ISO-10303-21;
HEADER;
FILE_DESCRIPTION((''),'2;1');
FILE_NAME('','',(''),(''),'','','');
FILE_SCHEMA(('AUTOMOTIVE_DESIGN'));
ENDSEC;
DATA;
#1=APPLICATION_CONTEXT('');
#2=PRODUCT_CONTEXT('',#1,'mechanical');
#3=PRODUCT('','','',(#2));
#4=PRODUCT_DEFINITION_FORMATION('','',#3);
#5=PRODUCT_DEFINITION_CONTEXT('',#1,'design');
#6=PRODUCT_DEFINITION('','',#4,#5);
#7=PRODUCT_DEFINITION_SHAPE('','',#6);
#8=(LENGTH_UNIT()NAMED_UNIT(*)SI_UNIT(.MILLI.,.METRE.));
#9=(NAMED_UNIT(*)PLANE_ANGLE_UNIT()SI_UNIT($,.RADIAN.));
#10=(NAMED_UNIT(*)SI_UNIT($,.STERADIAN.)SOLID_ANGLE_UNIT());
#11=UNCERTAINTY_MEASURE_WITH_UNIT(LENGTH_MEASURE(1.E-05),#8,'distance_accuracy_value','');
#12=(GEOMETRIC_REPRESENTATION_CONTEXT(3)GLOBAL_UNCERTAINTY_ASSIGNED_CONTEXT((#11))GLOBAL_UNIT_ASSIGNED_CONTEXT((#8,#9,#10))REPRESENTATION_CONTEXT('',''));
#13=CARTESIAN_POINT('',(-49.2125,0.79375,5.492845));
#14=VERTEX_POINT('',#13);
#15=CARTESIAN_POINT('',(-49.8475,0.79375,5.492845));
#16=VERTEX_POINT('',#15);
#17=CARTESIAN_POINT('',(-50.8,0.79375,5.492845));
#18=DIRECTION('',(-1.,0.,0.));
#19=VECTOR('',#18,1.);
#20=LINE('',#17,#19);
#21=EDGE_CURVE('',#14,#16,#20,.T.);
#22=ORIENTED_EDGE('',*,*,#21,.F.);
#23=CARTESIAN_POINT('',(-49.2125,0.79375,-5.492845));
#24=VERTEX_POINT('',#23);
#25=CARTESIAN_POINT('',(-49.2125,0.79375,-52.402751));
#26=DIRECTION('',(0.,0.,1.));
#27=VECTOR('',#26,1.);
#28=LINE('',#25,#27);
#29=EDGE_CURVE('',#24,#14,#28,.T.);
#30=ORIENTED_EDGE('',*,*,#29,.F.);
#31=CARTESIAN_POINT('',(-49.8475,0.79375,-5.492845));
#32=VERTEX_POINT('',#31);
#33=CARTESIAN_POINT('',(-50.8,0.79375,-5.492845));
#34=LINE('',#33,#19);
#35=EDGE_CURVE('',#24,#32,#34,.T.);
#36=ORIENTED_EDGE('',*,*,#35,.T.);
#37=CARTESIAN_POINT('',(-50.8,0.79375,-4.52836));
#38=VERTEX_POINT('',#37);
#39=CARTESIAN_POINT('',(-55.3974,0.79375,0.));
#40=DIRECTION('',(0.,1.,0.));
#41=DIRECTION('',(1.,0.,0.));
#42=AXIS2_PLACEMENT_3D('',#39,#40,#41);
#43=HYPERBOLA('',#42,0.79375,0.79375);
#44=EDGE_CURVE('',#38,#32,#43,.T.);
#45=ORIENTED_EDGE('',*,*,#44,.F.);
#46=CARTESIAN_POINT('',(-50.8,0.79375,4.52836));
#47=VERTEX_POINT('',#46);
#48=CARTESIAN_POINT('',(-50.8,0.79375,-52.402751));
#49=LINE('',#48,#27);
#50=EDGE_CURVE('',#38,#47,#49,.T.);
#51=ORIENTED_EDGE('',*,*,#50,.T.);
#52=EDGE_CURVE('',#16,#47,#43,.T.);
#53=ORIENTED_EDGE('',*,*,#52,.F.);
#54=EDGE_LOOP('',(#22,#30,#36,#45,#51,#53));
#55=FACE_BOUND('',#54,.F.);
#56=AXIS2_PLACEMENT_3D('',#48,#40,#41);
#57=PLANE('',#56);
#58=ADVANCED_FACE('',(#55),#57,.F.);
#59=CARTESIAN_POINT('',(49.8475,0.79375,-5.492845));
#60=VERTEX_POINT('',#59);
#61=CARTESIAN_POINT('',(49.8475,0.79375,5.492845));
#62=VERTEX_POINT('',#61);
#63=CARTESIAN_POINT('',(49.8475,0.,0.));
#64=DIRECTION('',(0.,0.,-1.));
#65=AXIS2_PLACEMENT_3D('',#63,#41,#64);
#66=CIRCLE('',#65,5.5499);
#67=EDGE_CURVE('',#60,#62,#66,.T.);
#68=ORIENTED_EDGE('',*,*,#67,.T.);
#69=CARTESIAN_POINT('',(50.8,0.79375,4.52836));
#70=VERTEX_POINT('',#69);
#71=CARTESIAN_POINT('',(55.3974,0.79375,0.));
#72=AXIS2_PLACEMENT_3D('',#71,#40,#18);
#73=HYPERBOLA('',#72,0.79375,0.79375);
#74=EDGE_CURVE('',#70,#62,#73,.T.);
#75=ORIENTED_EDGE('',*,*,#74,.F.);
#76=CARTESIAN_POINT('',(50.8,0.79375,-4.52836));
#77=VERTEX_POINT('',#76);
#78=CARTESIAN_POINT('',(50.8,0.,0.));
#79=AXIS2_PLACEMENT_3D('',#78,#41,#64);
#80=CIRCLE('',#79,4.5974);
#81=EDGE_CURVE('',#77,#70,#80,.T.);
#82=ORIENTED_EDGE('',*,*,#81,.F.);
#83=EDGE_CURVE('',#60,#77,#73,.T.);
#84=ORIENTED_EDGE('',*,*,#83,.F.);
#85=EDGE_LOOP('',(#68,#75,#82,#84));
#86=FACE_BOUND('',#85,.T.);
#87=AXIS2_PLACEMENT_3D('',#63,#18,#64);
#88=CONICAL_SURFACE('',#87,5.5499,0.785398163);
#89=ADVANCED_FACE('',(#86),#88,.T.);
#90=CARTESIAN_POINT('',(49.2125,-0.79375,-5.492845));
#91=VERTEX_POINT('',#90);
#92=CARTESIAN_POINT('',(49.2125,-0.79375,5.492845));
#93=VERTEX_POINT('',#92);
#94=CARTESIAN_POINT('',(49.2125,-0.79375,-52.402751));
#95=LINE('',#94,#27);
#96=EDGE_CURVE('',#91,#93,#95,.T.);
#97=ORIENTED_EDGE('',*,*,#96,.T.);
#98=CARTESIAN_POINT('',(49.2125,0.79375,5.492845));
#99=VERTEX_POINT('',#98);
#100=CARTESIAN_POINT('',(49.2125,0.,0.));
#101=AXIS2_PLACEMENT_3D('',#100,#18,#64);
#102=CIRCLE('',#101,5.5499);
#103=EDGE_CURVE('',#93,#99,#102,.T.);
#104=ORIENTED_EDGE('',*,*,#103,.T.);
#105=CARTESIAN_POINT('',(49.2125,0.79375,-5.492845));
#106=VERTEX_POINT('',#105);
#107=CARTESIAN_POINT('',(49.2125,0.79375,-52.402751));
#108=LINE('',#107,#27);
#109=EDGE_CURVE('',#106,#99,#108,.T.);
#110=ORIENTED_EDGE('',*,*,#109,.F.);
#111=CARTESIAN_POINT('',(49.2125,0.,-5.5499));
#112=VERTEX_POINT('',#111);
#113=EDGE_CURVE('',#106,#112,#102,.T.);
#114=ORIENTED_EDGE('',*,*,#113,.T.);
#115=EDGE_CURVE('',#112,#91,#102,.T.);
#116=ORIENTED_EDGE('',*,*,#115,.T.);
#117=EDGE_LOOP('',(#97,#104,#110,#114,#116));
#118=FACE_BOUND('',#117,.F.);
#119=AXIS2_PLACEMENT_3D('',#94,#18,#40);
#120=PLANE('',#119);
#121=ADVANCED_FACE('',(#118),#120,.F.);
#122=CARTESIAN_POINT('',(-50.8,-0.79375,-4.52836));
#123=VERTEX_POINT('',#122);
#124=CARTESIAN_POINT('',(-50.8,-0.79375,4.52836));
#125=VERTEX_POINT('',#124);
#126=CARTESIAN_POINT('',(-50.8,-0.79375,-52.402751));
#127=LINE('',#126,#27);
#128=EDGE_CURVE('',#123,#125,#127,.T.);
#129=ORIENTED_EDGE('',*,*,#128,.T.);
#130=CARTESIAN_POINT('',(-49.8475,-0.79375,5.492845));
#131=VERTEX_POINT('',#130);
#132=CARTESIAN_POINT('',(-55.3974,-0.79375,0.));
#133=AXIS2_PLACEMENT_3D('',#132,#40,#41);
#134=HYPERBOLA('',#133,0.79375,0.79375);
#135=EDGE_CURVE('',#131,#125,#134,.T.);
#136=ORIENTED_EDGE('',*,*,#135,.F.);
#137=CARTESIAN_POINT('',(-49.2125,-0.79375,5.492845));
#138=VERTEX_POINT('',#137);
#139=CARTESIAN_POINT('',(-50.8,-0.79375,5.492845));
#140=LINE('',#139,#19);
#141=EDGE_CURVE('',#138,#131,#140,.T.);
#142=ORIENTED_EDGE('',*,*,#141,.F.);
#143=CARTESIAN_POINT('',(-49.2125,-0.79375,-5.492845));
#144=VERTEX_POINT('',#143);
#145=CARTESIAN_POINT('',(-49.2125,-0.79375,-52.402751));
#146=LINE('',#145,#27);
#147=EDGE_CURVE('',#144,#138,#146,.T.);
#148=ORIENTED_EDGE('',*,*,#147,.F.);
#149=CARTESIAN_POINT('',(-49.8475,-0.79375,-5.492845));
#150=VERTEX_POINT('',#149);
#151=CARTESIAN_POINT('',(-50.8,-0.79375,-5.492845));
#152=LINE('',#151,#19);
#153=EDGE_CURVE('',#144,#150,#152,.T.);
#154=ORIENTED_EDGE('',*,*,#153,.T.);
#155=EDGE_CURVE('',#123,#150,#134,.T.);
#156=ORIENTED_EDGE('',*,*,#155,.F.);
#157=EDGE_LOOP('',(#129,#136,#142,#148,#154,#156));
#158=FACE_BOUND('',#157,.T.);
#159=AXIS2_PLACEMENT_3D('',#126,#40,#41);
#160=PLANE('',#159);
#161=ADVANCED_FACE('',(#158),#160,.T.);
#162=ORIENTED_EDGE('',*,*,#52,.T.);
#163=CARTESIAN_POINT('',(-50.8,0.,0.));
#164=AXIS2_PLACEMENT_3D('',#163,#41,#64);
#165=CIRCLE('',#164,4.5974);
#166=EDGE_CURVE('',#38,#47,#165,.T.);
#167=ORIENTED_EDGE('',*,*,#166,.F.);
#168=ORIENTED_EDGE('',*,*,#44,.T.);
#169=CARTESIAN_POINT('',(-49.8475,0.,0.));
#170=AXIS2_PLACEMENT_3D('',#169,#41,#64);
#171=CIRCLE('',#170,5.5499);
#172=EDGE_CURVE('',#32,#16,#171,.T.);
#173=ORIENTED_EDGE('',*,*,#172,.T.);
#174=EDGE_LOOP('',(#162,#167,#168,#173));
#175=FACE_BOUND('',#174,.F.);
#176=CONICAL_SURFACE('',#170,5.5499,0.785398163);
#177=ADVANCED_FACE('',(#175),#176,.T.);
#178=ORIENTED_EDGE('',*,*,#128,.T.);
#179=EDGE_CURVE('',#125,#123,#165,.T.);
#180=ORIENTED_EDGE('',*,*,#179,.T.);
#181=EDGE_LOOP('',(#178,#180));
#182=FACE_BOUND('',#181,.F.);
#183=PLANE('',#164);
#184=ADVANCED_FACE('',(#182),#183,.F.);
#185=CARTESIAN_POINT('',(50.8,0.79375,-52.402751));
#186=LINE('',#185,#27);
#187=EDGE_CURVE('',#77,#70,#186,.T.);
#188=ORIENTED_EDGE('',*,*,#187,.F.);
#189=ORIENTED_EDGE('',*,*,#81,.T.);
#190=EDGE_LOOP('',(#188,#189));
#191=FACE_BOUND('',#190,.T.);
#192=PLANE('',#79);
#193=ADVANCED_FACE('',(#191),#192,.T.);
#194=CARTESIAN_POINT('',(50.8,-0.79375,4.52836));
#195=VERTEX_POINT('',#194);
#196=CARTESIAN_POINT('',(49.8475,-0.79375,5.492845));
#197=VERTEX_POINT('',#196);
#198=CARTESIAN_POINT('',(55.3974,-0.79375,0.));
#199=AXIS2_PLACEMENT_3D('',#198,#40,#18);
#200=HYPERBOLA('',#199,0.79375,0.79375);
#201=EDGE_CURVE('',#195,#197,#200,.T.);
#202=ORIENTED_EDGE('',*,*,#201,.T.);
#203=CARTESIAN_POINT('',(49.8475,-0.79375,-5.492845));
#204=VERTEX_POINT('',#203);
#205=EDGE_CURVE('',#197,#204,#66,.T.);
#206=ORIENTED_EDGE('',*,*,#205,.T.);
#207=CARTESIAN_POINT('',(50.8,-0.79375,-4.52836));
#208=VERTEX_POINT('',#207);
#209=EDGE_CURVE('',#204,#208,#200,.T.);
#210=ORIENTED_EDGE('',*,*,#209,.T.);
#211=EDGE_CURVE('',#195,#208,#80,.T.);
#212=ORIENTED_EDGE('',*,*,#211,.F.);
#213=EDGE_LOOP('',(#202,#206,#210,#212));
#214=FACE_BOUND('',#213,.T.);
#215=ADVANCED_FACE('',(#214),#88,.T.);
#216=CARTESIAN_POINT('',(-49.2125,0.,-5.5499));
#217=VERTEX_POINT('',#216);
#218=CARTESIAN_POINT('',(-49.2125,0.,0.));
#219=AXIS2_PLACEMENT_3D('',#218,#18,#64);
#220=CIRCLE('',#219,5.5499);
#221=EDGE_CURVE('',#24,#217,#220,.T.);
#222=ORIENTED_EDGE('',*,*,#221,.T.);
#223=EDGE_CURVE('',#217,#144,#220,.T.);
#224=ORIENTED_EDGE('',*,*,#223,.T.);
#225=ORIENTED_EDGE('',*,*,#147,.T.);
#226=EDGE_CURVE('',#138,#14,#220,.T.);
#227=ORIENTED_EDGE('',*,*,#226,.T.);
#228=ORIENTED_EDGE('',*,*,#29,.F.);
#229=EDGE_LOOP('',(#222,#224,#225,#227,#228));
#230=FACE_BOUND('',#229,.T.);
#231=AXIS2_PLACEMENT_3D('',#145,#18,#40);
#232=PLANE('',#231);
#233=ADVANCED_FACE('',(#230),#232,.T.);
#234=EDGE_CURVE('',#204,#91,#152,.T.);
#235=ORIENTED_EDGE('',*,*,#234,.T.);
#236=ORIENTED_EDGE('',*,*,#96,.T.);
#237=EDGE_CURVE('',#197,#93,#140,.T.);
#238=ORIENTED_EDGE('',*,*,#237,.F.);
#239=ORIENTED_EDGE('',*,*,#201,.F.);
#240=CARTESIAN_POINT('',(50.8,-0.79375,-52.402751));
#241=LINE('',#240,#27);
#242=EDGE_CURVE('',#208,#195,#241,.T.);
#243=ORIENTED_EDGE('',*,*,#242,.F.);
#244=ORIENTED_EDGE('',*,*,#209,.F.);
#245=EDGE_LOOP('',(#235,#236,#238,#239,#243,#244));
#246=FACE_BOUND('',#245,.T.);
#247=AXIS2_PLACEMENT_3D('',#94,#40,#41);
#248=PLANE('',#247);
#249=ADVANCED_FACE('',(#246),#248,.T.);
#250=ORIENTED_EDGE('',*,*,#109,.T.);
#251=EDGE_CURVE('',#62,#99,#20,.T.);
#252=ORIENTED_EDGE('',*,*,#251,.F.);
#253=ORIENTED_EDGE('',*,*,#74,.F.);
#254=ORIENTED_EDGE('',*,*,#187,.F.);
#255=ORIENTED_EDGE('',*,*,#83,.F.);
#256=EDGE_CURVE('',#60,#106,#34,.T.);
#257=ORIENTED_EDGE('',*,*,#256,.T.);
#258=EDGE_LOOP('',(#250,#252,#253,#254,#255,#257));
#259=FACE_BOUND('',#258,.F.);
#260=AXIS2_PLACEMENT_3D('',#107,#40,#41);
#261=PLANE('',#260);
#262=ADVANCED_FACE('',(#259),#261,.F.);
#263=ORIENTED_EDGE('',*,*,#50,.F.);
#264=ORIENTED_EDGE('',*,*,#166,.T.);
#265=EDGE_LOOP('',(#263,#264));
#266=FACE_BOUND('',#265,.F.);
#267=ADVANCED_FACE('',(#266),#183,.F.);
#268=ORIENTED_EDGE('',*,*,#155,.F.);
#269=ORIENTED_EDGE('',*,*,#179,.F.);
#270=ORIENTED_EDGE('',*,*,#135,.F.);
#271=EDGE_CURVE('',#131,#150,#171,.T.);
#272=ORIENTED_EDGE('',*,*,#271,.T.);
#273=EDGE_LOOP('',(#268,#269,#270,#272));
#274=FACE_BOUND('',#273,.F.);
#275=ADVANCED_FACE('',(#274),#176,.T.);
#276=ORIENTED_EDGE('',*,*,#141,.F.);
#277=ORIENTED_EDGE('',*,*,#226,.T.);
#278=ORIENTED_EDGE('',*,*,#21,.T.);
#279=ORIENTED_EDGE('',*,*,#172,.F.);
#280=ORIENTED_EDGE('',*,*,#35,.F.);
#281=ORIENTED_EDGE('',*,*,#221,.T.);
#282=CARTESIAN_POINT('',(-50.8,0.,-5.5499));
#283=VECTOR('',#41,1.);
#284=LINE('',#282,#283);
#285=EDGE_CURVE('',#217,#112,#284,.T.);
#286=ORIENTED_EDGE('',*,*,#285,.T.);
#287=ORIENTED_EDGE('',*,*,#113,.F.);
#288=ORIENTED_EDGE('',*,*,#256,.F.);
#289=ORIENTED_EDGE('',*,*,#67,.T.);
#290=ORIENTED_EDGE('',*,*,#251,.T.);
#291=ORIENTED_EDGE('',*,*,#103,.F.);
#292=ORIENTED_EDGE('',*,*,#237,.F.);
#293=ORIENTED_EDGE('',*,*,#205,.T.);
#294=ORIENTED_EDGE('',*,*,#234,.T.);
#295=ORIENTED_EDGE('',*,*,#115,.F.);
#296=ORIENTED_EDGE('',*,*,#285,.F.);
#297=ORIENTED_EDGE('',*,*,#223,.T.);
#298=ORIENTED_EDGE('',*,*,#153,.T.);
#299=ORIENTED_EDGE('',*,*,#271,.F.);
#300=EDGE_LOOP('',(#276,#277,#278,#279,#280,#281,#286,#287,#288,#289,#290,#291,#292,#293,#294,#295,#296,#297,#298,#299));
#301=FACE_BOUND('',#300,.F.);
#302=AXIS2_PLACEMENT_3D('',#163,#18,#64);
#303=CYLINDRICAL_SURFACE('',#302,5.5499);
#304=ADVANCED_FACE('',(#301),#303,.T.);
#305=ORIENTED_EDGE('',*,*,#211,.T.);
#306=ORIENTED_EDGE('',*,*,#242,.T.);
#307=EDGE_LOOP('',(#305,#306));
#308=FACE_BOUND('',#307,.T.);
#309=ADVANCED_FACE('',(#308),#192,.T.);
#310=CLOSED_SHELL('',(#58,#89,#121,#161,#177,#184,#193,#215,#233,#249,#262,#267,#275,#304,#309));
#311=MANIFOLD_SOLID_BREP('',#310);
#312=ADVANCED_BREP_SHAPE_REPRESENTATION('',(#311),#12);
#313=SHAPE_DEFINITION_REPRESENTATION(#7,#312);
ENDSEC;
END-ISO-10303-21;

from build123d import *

# Parameters (mm, degrees)
BOSS_EXTRUDE1_DEPTH      = 50.8
BOSS_EXTRUDE1_DEPTH_BACK = 50.8
SKETCH2_R                = 5.5499
CHAMFER1_SIZE            = 0.9525
CUT_EXTRUDE1_DEPTH       = 52.402750705
CUT_EXTRUDE1_DEPTH_BACK  = 52.402750705
SKETCH5_W                = 1.5875
SKETCH5_H                = 1.5875


with BuildPart() as part:
    # Sketch2 → Boss-Extrude1 (new, two sides: drawn at the far end of the back side and taken through both)
    with BuildSketch(Plane(origin=(0, 0, 0), x_dir=(0, 0, -1), z_dir=(1, 0, 0)).offset(-BOSS_EXTRUDE1_DEPTH_BACK)):
        Circle(SKETCH2_R)
    extrude(amount=BOSS_EXTRUDE1_DEPTH + BOSS_EXTRUDE1_DEPTH_BACK)

    # Chamfer1
    chamfer1_edges = [part.edges().sort_by_distance(p)[0] for p in [
        (-50.8, 0, 5.5499),
        (50.8, 0, 5.5499),
    ]]
    chamfer(chamfer1_edges, length=CHAMFER1_SIZE)

    # Sketch5 → Cut-Extrude1 (cut, two sides: drawn at the far end of the back side and taken through both)
    with BuildSketch(Plane.XY.offset(-CUT_EXTRUDE1_DEPTH_BACK)):
        with Locations((-50.00625, 0)):
            Rectangle(SKETCH5_W, SKETCH5_H)
        with Locations((50.00625, 0)):
            Rectangle(SKETCH5_W, SKETCH5_H)
    extrude(amount=CUT_EXTRUDE1_DEPTH + CUT_EXTRUDE1_DEPTH_BACK, mode=Mode.SUBTRACT)


solid = part.part
